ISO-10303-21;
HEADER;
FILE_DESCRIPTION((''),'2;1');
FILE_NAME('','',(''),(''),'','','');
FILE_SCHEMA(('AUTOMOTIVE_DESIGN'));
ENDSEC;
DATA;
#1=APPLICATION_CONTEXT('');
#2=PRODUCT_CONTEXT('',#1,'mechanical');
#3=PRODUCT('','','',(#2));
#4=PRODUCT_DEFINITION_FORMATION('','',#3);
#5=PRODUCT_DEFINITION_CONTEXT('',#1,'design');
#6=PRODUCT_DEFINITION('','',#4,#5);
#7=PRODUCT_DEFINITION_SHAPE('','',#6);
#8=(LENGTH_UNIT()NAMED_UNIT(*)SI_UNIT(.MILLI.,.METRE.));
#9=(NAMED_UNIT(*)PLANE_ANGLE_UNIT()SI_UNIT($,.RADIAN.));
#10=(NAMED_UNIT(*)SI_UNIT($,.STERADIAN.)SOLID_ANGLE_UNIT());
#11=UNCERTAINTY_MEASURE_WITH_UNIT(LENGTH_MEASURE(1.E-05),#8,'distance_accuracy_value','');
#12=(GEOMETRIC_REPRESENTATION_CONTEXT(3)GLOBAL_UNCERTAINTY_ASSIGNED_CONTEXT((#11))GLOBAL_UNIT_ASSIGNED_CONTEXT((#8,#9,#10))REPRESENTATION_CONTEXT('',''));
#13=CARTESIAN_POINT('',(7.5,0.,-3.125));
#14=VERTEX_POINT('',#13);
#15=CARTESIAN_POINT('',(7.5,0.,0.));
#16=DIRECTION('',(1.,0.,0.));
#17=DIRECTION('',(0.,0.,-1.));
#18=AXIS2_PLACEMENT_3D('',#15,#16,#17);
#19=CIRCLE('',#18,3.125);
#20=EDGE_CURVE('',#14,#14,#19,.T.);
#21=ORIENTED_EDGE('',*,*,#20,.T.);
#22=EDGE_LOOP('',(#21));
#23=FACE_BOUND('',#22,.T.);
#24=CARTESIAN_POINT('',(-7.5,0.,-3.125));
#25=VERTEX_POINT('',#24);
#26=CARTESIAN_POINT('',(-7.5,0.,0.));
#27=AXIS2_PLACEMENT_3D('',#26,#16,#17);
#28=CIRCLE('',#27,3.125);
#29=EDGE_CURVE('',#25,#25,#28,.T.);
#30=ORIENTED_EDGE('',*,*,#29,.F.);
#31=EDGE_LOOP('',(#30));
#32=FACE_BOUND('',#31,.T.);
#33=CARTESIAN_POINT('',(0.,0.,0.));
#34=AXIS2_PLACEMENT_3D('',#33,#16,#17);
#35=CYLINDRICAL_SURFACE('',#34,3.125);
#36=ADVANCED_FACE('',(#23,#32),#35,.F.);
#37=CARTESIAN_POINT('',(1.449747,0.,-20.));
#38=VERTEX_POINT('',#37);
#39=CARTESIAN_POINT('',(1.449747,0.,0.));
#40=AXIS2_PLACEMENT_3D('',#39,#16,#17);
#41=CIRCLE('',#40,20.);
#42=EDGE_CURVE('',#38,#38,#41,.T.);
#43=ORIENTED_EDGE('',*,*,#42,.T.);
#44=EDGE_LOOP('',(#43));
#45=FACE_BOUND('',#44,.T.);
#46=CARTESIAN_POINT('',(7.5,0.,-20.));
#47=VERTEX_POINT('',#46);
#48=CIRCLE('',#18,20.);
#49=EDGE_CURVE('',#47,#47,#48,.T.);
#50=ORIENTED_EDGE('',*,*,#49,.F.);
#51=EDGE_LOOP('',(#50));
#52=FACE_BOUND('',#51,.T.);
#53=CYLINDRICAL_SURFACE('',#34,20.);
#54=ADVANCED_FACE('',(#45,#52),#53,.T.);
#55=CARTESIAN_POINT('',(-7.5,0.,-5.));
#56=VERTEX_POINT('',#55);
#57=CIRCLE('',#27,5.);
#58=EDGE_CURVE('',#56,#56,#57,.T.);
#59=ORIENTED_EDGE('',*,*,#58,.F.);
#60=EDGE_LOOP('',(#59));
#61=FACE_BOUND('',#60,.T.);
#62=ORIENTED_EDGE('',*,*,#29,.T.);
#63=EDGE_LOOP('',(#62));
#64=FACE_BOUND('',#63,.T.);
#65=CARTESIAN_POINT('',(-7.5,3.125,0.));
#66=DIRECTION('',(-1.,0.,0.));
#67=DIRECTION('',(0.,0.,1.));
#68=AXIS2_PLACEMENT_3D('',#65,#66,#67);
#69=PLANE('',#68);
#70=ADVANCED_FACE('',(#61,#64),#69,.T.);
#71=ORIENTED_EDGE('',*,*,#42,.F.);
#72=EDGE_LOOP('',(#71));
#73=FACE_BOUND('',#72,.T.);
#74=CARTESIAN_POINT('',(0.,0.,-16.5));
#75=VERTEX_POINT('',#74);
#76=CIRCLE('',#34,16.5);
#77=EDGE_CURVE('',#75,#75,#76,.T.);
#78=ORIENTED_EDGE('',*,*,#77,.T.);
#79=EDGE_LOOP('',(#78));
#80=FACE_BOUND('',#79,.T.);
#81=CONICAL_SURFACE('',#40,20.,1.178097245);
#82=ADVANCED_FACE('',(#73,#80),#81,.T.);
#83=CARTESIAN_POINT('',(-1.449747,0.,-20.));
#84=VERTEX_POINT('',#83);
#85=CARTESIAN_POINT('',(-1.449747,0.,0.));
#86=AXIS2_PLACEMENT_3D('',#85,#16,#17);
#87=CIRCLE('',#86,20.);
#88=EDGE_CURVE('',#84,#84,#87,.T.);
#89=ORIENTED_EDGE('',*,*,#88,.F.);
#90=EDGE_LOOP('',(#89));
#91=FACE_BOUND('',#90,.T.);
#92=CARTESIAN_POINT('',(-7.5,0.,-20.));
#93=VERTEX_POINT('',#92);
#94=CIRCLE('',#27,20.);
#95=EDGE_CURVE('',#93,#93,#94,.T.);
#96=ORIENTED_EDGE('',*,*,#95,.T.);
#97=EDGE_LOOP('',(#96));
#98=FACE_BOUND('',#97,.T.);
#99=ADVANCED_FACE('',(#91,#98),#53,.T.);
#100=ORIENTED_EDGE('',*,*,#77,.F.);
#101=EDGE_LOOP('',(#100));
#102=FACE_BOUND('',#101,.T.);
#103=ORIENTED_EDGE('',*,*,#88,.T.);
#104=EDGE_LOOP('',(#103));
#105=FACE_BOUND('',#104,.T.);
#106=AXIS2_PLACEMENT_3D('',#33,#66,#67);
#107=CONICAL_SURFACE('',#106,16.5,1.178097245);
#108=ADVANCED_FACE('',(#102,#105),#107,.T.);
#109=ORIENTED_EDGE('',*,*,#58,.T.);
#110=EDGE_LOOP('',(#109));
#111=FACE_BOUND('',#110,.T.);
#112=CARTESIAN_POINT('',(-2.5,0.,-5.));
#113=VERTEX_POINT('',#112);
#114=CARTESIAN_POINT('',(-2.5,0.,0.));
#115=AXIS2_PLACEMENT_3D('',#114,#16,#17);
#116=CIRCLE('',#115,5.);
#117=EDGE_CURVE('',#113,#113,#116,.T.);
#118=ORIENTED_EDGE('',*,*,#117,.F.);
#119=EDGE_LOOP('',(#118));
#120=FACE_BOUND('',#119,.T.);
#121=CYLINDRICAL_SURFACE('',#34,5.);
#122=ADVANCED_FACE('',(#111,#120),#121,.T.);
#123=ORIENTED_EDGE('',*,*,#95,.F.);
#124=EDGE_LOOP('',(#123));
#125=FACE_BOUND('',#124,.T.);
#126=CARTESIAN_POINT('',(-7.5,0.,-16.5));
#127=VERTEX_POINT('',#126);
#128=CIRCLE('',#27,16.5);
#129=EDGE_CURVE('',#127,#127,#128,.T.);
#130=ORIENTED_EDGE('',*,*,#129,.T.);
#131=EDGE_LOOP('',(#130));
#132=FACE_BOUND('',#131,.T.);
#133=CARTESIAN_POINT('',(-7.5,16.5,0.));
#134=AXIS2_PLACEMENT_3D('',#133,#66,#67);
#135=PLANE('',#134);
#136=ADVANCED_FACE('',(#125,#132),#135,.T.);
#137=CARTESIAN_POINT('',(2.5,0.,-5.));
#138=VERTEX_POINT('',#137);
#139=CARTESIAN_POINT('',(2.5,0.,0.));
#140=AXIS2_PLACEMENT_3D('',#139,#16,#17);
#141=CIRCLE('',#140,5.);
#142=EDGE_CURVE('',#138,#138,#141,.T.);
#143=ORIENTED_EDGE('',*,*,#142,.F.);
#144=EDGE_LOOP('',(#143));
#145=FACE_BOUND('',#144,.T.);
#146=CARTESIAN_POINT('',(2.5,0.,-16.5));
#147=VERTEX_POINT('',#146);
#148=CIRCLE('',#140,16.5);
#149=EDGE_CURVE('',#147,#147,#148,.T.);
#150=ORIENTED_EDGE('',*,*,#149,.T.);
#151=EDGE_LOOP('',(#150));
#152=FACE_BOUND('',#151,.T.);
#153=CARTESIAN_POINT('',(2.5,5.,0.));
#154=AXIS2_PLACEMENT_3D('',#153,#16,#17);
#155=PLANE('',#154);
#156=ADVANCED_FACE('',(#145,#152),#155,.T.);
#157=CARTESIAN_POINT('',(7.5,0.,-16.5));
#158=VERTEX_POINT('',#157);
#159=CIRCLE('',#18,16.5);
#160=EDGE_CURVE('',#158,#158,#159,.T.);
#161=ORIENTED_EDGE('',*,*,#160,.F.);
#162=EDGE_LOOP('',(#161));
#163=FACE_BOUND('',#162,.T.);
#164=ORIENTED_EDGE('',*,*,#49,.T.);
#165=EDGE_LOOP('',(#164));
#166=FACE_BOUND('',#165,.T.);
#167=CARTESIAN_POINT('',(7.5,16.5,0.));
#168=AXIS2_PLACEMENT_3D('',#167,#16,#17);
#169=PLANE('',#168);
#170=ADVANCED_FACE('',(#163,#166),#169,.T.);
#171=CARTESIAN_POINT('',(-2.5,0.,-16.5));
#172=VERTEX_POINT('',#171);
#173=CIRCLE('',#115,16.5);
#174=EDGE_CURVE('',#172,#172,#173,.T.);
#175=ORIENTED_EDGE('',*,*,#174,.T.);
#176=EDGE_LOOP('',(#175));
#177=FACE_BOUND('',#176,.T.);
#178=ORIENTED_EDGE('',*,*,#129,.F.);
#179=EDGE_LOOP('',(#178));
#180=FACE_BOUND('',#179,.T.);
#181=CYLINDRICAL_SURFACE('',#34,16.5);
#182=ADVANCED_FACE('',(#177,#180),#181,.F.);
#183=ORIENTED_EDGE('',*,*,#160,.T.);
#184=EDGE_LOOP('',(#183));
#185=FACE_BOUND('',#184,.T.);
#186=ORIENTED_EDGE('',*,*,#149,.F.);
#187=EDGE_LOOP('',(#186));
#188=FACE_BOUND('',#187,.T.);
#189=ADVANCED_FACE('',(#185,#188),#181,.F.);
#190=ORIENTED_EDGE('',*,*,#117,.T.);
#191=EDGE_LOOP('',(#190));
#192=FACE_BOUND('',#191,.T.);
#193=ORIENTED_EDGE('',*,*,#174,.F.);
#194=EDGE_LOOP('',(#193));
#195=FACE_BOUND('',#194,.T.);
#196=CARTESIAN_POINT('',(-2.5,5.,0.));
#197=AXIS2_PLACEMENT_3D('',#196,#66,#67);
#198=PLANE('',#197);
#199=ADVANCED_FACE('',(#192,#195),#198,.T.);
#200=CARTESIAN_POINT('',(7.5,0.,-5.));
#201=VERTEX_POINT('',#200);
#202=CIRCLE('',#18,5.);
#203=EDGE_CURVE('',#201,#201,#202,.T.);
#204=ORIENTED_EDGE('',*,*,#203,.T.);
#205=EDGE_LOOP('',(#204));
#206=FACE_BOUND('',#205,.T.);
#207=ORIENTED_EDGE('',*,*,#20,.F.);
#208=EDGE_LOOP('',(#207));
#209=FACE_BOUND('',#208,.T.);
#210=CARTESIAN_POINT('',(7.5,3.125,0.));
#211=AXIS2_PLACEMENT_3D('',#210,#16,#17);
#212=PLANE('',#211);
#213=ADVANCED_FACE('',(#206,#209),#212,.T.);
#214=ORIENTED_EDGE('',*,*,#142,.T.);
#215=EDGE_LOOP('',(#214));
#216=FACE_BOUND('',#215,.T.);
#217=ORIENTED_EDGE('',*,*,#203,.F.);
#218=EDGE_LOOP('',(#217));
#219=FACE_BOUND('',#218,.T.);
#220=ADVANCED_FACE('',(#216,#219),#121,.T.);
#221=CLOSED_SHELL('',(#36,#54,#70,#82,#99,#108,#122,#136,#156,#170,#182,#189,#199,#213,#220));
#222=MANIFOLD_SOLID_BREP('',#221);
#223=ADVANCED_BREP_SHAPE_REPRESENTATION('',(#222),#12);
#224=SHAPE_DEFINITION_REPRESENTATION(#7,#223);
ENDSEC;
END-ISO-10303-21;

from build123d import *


with BuildPart() as part:
    # Sketch1 → Revolve1 (revolve)
    with BuildSketch(Plane.XY, mode=Mode.PRIVATE) as revolve1_sk:
        Polygon((-7.5, 3.125), (7.5, 3.125), (7.5, 5), (2.5, 5), (2.5, 16.5), (7.5, 16.5), (7.5, 20), (1.449747468, 20), (0, 16.5), (-1.449747468, 20), (-7.5, 20), (-7.5, 16.5), (-2.5, 16.5), (-2.5, 5), (-7.5, 5), align=None)
    revolve(revolve1_sk.sketch.rotate(Axis((0, 0, 0), (-1, 0, 0)), 90), axis=Axis((0, 0, 0), (-1, 0, 0)))


solid = part.part
